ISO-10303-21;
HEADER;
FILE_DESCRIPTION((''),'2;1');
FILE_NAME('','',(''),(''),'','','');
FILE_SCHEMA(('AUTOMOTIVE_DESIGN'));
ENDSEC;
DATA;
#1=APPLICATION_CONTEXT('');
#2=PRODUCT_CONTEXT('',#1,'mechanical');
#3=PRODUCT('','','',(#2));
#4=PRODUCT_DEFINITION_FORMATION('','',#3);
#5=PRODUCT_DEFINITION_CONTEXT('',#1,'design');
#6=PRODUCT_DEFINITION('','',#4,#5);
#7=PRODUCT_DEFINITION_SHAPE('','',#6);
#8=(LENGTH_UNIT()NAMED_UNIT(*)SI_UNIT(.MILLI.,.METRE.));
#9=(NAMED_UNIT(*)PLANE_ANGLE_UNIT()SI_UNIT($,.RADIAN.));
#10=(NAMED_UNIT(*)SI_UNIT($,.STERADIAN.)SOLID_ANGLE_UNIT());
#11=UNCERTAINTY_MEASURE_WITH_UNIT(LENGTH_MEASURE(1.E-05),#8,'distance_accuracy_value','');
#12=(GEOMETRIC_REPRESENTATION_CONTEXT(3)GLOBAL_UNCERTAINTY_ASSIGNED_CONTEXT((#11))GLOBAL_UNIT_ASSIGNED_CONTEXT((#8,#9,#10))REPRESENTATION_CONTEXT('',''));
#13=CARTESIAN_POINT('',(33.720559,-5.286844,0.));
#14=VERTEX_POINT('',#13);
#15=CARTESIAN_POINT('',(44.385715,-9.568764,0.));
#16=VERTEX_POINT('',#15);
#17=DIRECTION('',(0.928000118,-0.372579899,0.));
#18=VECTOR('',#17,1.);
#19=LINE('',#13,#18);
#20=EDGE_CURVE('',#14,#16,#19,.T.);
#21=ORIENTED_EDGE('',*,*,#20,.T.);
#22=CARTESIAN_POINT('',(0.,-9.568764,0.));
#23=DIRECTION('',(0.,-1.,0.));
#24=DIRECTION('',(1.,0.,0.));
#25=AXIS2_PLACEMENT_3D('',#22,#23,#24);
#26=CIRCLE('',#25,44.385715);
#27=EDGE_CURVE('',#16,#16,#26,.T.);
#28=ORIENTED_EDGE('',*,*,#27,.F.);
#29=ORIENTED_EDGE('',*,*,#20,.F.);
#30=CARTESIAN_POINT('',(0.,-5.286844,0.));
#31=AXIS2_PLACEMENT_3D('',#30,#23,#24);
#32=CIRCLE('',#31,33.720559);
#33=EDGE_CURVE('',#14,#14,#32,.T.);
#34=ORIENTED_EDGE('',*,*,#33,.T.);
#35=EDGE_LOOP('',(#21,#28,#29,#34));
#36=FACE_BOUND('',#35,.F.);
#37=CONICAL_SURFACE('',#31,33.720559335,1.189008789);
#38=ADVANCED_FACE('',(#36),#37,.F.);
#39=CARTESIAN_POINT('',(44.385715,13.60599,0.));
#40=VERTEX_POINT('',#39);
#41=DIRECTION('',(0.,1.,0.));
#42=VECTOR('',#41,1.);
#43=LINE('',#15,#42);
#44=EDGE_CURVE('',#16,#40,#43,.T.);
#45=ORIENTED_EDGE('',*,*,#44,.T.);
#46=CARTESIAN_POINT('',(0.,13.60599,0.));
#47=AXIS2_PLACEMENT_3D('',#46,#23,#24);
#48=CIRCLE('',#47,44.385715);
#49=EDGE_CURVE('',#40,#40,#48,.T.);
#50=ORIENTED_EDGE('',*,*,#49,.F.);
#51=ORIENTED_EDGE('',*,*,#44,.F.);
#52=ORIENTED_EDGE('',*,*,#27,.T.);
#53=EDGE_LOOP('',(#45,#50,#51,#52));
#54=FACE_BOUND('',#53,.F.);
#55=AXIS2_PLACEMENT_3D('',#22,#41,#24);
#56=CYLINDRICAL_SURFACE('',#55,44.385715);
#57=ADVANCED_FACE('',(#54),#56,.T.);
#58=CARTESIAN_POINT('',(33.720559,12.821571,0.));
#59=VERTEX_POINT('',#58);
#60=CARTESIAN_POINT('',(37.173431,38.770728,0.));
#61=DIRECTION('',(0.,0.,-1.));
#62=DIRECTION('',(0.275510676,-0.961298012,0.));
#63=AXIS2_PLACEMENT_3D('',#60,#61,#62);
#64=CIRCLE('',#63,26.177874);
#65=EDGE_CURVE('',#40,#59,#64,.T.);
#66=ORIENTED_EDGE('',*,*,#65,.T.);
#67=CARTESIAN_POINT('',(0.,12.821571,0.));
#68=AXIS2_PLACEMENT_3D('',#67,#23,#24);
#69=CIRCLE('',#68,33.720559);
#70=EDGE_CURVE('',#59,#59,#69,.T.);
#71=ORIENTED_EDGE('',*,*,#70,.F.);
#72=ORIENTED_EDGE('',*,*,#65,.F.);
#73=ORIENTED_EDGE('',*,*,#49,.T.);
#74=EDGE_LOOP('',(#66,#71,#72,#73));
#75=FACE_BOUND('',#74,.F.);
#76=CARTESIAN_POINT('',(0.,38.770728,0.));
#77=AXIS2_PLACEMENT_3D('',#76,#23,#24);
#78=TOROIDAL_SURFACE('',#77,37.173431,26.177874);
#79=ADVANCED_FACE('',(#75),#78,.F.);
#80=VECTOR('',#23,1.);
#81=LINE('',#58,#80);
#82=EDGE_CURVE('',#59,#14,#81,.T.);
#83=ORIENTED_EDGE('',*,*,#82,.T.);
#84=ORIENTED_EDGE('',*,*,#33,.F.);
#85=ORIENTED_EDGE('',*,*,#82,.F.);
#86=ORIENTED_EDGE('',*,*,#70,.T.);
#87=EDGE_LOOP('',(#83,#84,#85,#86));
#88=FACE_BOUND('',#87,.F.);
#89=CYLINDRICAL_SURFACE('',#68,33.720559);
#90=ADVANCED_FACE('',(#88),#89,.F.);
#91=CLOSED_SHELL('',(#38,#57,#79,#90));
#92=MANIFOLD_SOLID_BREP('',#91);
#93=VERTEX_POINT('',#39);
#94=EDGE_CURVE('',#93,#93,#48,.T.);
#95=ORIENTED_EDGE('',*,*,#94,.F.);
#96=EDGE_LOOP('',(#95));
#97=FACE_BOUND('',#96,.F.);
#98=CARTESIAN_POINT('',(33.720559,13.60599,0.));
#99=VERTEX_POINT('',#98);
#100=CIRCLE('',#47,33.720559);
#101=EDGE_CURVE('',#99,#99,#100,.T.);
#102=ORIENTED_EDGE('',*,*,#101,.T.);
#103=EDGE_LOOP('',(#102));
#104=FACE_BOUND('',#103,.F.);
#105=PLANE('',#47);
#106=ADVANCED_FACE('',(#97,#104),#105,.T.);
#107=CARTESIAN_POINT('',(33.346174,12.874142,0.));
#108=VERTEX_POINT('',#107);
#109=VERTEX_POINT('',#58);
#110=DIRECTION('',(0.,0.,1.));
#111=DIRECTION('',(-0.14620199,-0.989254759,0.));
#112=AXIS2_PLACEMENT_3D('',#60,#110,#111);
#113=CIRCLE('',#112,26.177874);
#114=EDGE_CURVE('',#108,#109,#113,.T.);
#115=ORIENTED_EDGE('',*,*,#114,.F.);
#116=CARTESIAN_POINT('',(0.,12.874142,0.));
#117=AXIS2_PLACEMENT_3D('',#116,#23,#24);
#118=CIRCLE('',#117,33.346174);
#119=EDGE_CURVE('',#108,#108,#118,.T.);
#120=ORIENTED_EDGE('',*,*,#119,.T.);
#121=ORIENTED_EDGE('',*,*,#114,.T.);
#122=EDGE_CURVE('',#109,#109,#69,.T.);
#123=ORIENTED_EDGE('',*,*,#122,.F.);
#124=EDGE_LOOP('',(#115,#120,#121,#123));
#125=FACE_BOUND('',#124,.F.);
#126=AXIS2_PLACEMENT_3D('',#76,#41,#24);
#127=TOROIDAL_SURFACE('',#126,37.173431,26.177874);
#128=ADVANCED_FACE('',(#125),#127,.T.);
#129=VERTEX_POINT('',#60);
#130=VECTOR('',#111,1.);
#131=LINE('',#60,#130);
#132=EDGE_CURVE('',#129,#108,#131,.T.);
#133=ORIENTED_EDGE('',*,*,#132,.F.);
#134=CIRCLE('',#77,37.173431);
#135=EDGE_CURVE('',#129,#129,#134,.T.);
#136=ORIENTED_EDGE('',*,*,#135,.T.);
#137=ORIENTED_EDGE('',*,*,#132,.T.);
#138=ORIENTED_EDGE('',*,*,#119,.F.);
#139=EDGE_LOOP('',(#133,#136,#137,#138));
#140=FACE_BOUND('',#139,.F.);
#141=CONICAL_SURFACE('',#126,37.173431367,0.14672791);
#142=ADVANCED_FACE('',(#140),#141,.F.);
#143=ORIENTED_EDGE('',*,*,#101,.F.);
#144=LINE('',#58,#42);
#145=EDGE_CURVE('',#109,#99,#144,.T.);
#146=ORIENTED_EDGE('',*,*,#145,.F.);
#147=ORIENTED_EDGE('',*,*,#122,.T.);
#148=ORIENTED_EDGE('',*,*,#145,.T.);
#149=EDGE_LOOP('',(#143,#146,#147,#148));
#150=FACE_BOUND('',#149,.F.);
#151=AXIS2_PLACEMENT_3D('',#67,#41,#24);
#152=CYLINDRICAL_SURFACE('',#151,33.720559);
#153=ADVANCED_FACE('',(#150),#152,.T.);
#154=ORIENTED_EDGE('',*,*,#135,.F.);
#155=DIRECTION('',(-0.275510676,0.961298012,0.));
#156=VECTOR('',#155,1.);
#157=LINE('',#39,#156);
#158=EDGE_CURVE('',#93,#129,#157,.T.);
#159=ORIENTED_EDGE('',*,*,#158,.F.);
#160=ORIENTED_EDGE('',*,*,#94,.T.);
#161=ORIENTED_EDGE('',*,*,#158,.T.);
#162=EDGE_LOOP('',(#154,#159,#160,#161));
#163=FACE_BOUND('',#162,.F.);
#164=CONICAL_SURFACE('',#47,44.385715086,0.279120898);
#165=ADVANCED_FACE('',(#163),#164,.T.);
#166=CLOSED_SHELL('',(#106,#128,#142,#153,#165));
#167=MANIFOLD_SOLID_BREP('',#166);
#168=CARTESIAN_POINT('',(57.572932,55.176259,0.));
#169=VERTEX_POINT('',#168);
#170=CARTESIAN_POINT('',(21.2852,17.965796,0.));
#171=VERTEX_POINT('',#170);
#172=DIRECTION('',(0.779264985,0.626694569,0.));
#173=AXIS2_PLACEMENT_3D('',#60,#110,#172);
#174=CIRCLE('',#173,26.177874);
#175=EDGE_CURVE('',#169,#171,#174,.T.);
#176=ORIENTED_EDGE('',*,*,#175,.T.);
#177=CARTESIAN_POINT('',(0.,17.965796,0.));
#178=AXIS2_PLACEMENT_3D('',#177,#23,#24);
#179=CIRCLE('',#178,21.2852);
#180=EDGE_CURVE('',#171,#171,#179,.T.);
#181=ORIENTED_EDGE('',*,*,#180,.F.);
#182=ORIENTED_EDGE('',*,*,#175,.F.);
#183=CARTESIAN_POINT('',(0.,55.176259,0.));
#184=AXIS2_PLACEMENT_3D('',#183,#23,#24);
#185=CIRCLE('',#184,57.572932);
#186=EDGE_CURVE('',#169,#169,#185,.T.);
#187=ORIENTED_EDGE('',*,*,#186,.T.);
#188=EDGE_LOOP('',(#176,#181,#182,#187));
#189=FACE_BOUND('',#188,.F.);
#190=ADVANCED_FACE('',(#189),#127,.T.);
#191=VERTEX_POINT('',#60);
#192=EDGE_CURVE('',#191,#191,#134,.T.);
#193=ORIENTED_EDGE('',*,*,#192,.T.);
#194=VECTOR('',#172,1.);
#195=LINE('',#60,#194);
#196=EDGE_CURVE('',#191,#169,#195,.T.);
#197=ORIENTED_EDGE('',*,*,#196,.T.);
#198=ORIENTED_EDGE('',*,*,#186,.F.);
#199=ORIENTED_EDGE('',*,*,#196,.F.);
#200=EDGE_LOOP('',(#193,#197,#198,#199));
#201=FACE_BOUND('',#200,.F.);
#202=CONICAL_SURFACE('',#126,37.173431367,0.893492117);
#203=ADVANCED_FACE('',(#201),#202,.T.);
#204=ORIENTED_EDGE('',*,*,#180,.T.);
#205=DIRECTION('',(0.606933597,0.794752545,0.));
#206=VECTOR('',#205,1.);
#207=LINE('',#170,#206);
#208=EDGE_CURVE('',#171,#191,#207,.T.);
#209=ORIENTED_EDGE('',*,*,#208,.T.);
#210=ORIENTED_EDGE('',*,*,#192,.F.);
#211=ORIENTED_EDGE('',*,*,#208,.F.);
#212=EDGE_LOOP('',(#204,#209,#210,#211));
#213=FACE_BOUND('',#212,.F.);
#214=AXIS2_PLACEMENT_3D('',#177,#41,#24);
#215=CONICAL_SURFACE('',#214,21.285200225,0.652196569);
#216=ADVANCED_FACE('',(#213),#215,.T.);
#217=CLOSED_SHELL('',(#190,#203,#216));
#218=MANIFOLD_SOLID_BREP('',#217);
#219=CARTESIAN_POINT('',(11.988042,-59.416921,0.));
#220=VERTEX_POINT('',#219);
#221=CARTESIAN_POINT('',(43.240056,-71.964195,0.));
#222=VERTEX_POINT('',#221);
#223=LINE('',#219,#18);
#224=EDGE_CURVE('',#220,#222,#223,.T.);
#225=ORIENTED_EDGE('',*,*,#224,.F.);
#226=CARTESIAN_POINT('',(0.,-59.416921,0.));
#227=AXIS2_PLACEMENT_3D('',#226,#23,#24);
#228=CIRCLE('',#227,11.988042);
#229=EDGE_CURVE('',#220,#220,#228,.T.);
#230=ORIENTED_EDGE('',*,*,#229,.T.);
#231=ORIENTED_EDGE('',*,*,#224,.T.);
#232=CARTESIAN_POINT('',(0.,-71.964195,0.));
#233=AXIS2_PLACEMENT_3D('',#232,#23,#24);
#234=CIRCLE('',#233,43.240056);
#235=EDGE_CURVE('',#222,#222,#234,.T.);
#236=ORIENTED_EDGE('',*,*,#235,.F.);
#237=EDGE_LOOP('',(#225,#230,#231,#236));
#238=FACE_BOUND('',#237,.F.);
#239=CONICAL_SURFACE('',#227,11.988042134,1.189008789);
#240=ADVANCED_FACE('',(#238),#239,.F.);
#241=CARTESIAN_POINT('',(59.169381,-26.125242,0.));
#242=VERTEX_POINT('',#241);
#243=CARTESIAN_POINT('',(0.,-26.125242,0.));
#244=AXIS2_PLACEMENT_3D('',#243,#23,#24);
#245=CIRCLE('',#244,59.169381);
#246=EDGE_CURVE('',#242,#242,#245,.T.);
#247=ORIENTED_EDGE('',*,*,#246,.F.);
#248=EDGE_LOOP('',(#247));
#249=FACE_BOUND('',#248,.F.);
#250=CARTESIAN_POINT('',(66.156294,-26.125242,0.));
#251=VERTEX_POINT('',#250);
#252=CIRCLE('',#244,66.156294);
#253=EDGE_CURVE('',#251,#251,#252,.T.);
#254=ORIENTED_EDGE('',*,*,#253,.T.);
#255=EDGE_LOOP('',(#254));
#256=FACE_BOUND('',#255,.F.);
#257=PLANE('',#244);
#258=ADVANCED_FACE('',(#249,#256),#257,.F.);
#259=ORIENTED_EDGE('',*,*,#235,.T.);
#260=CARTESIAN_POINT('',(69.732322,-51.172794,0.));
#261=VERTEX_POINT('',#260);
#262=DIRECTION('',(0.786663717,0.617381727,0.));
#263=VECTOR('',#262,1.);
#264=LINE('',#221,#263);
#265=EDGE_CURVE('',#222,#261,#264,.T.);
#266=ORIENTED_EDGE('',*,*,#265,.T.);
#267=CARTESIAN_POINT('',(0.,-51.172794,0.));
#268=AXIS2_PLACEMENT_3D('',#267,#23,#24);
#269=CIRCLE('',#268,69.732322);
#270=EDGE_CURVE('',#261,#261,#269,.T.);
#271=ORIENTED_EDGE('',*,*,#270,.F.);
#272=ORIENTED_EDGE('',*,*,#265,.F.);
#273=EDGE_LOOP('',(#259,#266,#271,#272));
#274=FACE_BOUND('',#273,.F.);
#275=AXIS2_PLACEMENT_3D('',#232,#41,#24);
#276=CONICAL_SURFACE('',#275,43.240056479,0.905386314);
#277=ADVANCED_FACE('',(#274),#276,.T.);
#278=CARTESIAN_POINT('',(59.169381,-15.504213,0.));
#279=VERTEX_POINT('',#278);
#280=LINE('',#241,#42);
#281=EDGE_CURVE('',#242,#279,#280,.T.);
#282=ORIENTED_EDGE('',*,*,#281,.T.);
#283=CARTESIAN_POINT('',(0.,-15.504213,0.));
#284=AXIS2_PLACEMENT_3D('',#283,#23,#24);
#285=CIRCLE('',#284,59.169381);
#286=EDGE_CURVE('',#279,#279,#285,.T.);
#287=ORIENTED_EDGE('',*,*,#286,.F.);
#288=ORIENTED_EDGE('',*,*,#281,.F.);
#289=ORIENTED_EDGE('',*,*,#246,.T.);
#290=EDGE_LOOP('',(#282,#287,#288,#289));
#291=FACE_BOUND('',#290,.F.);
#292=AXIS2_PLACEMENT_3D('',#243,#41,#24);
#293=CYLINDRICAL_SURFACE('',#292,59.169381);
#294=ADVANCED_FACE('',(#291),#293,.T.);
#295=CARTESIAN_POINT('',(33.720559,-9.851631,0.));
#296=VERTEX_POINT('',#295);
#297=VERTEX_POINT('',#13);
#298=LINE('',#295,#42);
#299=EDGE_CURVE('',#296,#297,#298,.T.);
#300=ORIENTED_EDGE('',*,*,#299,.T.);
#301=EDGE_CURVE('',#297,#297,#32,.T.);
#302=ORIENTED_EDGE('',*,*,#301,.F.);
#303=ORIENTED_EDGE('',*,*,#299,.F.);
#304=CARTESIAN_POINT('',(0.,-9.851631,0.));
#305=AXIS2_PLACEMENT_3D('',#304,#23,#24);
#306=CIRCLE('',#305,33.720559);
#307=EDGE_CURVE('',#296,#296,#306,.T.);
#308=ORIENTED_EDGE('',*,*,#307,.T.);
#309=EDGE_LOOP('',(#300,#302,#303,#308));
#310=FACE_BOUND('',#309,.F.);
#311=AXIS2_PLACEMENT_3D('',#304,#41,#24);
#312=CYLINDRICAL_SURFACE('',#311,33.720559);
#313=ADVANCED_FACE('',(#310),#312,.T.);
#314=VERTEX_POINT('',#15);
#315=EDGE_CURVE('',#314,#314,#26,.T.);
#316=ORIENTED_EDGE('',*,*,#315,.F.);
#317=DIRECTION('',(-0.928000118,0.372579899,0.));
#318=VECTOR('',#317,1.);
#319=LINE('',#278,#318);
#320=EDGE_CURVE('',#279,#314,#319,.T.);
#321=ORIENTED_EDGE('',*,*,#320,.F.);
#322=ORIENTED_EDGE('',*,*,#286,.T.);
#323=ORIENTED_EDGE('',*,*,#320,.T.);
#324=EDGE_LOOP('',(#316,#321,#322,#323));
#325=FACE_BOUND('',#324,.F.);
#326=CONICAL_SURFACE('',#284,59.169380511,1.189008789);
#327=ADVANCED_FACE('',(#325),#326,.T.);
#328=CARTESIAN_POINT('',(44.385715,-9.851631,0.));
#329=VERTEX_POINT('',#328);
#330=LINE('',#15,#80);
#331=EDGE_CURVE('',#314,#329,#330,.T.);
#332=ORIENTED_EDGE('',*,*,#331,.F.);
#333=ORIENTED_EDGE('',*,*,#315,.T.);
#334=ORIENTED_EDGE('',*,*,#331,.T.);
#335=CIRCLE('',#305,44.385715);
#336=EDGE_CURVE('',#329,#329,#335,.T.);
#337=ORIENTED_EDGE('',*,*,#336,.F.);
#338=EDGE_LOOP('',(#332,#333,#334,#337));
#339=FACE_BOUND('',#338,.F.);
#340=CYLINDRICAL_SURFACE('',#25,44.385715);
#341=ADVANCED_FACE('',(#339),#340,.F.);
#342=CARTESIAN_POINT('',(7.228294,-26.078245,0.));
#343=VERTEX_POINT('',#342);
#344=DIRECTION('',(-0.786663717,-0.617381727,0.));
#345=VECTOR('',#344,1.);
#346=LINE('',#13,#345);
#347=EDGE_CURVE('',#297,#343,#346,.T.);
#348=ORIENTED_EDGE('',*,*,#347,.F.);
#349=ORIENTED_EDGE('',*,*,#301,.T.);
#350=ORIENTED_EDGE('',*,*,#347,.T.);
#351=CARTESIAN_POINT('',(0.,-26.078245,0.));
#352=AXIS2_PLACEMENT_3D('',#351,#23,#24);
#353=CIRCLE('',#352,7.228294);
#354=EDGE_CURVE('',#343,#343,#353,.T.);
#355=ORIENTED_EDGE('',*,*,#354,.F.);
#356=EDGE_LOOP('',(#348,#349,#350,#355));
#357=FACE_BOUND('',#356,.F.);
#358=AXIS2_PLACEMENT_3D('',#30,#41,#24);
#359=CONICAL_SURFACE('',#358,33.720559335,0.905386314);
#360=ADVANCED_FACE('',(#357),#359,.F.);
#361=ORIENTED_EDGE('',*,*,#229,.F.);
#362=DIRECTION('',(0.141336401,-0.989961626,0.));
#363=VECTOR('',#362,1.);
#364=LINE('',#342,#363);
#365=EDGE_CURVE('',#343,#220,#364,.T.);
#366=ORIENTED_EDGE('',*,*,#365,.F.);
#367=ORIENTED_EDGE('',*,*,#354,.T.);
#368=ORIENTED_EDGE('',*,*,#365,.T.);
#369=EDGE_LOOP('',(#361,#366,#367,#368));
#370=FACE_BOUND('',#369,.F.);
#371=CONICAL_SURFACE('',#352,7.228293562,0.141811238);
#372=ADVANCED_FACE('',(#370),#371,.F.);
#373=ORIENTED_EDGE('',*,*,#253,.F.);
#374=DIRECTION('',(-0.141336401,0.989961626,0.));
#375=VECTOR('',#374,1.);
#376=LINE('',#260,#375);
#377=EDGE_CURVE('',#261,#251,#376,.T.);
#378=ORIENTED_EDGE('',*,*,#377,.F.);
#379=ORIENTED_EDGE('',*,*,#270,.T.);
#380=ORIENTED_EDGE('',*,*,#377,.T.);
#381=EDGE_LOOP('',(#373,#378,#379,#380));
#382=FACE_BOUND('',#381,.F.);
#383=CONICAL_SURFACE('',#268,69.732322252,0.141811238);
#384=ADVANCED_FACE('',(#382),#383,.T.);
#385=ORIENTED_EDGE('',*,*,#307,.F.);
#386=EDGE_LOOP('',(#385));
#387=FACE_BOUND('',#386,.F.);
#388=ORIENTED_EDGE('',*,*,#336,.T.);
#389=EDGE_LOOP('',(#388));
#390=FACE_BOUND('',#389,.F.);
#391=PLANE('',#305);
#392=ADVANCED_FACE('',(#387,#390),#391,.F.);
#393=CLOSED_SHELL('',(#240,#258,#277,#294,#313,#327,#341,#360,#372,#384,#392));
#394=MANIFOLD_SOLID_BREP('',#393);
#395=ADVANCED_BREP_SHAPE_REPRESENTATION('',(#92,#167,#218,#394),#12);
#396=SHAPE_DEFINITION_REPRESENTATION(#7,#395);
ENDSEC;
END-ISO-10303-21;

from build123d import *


with BuildPart() as f1:
    # F0 (on Top) → F1 (revolve)
    with BuildSketch(Plane.XY):
        with BuildLine():
            Line((37.1734313667, 38.7707278132), (57.5729318389, 55.1762591696))
            ThreePointArc((57.5729318389, 55.1762591696), (18.4319658161, 57.0474492812), (21.2852002254, 17.9657959508))
            Line((21.2852002254, 17.9657959508), (37.1734313667, 38.7707278132))
        make_face()
    revolve(axis=Axis((0, 39.6419782192, 0), (0, -1, 0)))


with BuildPart() as f1b:
    # F0 (on Top) → F1, piece 2 (revolve)
    with BuildSketch(Plane.XY):
        with BuildLine():
            Line((44.3857150864, 13.6059897429), (37.1734313667, 38.7707278132))
            Line((37.1734313667, 38.7707278132), (33.3461741209, 12.8741415406))
            ThreePointArc((33.3461741209, 12.8741415406), (33.5332718239, 12.8471802724), (33.720559335, 12.82157073))
            Line((33.720559335, 12.82157073), (33.720559335, 13.6059897429))
            Line((33.720559335, 13.6059897429), (44.3857150864, 13.6059897429))
        make_face()
    revolve(axis=Axis((0, 39.6419782192, 0), (0, -1, 0)))


with BuildPart() as f1c:
    # F0 (on Top) → F1, piece 3 (revolve)
    with BuildSketch(Plane.XY):
        Polygon((59.1693805112, -15.5042126177), (44.3857150864, -9.5687644746), (44.3857150864, -9.851631039), (33.720559335, -9.851631039), (33.720559335, -5.2868440522), (7.2282935617, -26.0782450663), (11.9880421336, -59.4169207368), (43.2400564788, -71.9641953932), (69.732322252, -51.1727943791), (66.1562937623, -26.1252415079), (59.1693805112, -26.1252415079), align=None)
    revolve(axis=Axis((0, 39.6419782192, 0), (0, -1, 0)))


with BuildPart() as f1d:
    # F0 (on Top) → F1, piece 4 (revolve)
    with BuildSketch(Plane.XY):
        with BuildLine():
            Line((44.3857150864, -9.5687644746), (44.3857150864, 13.6059897429))
            ThreePointArc((44.3857150864, 13.6059897429), (39.0936194713, 12.6633733658), (33.720559335, 12.82157073))
            Line((33.720559335, 12.82157073), (33.720559335, -5.2868440522))
            Line((33.720559335, -5.2868440522), (44.3857150864, -9.5687644746))
        make_face()
    revolve(axis=Axis((0, 39.6419782192, 0), (0, -1, 0)))


solid = Compound([f1.part, f1b.part, f1c.part, f1d.part])
